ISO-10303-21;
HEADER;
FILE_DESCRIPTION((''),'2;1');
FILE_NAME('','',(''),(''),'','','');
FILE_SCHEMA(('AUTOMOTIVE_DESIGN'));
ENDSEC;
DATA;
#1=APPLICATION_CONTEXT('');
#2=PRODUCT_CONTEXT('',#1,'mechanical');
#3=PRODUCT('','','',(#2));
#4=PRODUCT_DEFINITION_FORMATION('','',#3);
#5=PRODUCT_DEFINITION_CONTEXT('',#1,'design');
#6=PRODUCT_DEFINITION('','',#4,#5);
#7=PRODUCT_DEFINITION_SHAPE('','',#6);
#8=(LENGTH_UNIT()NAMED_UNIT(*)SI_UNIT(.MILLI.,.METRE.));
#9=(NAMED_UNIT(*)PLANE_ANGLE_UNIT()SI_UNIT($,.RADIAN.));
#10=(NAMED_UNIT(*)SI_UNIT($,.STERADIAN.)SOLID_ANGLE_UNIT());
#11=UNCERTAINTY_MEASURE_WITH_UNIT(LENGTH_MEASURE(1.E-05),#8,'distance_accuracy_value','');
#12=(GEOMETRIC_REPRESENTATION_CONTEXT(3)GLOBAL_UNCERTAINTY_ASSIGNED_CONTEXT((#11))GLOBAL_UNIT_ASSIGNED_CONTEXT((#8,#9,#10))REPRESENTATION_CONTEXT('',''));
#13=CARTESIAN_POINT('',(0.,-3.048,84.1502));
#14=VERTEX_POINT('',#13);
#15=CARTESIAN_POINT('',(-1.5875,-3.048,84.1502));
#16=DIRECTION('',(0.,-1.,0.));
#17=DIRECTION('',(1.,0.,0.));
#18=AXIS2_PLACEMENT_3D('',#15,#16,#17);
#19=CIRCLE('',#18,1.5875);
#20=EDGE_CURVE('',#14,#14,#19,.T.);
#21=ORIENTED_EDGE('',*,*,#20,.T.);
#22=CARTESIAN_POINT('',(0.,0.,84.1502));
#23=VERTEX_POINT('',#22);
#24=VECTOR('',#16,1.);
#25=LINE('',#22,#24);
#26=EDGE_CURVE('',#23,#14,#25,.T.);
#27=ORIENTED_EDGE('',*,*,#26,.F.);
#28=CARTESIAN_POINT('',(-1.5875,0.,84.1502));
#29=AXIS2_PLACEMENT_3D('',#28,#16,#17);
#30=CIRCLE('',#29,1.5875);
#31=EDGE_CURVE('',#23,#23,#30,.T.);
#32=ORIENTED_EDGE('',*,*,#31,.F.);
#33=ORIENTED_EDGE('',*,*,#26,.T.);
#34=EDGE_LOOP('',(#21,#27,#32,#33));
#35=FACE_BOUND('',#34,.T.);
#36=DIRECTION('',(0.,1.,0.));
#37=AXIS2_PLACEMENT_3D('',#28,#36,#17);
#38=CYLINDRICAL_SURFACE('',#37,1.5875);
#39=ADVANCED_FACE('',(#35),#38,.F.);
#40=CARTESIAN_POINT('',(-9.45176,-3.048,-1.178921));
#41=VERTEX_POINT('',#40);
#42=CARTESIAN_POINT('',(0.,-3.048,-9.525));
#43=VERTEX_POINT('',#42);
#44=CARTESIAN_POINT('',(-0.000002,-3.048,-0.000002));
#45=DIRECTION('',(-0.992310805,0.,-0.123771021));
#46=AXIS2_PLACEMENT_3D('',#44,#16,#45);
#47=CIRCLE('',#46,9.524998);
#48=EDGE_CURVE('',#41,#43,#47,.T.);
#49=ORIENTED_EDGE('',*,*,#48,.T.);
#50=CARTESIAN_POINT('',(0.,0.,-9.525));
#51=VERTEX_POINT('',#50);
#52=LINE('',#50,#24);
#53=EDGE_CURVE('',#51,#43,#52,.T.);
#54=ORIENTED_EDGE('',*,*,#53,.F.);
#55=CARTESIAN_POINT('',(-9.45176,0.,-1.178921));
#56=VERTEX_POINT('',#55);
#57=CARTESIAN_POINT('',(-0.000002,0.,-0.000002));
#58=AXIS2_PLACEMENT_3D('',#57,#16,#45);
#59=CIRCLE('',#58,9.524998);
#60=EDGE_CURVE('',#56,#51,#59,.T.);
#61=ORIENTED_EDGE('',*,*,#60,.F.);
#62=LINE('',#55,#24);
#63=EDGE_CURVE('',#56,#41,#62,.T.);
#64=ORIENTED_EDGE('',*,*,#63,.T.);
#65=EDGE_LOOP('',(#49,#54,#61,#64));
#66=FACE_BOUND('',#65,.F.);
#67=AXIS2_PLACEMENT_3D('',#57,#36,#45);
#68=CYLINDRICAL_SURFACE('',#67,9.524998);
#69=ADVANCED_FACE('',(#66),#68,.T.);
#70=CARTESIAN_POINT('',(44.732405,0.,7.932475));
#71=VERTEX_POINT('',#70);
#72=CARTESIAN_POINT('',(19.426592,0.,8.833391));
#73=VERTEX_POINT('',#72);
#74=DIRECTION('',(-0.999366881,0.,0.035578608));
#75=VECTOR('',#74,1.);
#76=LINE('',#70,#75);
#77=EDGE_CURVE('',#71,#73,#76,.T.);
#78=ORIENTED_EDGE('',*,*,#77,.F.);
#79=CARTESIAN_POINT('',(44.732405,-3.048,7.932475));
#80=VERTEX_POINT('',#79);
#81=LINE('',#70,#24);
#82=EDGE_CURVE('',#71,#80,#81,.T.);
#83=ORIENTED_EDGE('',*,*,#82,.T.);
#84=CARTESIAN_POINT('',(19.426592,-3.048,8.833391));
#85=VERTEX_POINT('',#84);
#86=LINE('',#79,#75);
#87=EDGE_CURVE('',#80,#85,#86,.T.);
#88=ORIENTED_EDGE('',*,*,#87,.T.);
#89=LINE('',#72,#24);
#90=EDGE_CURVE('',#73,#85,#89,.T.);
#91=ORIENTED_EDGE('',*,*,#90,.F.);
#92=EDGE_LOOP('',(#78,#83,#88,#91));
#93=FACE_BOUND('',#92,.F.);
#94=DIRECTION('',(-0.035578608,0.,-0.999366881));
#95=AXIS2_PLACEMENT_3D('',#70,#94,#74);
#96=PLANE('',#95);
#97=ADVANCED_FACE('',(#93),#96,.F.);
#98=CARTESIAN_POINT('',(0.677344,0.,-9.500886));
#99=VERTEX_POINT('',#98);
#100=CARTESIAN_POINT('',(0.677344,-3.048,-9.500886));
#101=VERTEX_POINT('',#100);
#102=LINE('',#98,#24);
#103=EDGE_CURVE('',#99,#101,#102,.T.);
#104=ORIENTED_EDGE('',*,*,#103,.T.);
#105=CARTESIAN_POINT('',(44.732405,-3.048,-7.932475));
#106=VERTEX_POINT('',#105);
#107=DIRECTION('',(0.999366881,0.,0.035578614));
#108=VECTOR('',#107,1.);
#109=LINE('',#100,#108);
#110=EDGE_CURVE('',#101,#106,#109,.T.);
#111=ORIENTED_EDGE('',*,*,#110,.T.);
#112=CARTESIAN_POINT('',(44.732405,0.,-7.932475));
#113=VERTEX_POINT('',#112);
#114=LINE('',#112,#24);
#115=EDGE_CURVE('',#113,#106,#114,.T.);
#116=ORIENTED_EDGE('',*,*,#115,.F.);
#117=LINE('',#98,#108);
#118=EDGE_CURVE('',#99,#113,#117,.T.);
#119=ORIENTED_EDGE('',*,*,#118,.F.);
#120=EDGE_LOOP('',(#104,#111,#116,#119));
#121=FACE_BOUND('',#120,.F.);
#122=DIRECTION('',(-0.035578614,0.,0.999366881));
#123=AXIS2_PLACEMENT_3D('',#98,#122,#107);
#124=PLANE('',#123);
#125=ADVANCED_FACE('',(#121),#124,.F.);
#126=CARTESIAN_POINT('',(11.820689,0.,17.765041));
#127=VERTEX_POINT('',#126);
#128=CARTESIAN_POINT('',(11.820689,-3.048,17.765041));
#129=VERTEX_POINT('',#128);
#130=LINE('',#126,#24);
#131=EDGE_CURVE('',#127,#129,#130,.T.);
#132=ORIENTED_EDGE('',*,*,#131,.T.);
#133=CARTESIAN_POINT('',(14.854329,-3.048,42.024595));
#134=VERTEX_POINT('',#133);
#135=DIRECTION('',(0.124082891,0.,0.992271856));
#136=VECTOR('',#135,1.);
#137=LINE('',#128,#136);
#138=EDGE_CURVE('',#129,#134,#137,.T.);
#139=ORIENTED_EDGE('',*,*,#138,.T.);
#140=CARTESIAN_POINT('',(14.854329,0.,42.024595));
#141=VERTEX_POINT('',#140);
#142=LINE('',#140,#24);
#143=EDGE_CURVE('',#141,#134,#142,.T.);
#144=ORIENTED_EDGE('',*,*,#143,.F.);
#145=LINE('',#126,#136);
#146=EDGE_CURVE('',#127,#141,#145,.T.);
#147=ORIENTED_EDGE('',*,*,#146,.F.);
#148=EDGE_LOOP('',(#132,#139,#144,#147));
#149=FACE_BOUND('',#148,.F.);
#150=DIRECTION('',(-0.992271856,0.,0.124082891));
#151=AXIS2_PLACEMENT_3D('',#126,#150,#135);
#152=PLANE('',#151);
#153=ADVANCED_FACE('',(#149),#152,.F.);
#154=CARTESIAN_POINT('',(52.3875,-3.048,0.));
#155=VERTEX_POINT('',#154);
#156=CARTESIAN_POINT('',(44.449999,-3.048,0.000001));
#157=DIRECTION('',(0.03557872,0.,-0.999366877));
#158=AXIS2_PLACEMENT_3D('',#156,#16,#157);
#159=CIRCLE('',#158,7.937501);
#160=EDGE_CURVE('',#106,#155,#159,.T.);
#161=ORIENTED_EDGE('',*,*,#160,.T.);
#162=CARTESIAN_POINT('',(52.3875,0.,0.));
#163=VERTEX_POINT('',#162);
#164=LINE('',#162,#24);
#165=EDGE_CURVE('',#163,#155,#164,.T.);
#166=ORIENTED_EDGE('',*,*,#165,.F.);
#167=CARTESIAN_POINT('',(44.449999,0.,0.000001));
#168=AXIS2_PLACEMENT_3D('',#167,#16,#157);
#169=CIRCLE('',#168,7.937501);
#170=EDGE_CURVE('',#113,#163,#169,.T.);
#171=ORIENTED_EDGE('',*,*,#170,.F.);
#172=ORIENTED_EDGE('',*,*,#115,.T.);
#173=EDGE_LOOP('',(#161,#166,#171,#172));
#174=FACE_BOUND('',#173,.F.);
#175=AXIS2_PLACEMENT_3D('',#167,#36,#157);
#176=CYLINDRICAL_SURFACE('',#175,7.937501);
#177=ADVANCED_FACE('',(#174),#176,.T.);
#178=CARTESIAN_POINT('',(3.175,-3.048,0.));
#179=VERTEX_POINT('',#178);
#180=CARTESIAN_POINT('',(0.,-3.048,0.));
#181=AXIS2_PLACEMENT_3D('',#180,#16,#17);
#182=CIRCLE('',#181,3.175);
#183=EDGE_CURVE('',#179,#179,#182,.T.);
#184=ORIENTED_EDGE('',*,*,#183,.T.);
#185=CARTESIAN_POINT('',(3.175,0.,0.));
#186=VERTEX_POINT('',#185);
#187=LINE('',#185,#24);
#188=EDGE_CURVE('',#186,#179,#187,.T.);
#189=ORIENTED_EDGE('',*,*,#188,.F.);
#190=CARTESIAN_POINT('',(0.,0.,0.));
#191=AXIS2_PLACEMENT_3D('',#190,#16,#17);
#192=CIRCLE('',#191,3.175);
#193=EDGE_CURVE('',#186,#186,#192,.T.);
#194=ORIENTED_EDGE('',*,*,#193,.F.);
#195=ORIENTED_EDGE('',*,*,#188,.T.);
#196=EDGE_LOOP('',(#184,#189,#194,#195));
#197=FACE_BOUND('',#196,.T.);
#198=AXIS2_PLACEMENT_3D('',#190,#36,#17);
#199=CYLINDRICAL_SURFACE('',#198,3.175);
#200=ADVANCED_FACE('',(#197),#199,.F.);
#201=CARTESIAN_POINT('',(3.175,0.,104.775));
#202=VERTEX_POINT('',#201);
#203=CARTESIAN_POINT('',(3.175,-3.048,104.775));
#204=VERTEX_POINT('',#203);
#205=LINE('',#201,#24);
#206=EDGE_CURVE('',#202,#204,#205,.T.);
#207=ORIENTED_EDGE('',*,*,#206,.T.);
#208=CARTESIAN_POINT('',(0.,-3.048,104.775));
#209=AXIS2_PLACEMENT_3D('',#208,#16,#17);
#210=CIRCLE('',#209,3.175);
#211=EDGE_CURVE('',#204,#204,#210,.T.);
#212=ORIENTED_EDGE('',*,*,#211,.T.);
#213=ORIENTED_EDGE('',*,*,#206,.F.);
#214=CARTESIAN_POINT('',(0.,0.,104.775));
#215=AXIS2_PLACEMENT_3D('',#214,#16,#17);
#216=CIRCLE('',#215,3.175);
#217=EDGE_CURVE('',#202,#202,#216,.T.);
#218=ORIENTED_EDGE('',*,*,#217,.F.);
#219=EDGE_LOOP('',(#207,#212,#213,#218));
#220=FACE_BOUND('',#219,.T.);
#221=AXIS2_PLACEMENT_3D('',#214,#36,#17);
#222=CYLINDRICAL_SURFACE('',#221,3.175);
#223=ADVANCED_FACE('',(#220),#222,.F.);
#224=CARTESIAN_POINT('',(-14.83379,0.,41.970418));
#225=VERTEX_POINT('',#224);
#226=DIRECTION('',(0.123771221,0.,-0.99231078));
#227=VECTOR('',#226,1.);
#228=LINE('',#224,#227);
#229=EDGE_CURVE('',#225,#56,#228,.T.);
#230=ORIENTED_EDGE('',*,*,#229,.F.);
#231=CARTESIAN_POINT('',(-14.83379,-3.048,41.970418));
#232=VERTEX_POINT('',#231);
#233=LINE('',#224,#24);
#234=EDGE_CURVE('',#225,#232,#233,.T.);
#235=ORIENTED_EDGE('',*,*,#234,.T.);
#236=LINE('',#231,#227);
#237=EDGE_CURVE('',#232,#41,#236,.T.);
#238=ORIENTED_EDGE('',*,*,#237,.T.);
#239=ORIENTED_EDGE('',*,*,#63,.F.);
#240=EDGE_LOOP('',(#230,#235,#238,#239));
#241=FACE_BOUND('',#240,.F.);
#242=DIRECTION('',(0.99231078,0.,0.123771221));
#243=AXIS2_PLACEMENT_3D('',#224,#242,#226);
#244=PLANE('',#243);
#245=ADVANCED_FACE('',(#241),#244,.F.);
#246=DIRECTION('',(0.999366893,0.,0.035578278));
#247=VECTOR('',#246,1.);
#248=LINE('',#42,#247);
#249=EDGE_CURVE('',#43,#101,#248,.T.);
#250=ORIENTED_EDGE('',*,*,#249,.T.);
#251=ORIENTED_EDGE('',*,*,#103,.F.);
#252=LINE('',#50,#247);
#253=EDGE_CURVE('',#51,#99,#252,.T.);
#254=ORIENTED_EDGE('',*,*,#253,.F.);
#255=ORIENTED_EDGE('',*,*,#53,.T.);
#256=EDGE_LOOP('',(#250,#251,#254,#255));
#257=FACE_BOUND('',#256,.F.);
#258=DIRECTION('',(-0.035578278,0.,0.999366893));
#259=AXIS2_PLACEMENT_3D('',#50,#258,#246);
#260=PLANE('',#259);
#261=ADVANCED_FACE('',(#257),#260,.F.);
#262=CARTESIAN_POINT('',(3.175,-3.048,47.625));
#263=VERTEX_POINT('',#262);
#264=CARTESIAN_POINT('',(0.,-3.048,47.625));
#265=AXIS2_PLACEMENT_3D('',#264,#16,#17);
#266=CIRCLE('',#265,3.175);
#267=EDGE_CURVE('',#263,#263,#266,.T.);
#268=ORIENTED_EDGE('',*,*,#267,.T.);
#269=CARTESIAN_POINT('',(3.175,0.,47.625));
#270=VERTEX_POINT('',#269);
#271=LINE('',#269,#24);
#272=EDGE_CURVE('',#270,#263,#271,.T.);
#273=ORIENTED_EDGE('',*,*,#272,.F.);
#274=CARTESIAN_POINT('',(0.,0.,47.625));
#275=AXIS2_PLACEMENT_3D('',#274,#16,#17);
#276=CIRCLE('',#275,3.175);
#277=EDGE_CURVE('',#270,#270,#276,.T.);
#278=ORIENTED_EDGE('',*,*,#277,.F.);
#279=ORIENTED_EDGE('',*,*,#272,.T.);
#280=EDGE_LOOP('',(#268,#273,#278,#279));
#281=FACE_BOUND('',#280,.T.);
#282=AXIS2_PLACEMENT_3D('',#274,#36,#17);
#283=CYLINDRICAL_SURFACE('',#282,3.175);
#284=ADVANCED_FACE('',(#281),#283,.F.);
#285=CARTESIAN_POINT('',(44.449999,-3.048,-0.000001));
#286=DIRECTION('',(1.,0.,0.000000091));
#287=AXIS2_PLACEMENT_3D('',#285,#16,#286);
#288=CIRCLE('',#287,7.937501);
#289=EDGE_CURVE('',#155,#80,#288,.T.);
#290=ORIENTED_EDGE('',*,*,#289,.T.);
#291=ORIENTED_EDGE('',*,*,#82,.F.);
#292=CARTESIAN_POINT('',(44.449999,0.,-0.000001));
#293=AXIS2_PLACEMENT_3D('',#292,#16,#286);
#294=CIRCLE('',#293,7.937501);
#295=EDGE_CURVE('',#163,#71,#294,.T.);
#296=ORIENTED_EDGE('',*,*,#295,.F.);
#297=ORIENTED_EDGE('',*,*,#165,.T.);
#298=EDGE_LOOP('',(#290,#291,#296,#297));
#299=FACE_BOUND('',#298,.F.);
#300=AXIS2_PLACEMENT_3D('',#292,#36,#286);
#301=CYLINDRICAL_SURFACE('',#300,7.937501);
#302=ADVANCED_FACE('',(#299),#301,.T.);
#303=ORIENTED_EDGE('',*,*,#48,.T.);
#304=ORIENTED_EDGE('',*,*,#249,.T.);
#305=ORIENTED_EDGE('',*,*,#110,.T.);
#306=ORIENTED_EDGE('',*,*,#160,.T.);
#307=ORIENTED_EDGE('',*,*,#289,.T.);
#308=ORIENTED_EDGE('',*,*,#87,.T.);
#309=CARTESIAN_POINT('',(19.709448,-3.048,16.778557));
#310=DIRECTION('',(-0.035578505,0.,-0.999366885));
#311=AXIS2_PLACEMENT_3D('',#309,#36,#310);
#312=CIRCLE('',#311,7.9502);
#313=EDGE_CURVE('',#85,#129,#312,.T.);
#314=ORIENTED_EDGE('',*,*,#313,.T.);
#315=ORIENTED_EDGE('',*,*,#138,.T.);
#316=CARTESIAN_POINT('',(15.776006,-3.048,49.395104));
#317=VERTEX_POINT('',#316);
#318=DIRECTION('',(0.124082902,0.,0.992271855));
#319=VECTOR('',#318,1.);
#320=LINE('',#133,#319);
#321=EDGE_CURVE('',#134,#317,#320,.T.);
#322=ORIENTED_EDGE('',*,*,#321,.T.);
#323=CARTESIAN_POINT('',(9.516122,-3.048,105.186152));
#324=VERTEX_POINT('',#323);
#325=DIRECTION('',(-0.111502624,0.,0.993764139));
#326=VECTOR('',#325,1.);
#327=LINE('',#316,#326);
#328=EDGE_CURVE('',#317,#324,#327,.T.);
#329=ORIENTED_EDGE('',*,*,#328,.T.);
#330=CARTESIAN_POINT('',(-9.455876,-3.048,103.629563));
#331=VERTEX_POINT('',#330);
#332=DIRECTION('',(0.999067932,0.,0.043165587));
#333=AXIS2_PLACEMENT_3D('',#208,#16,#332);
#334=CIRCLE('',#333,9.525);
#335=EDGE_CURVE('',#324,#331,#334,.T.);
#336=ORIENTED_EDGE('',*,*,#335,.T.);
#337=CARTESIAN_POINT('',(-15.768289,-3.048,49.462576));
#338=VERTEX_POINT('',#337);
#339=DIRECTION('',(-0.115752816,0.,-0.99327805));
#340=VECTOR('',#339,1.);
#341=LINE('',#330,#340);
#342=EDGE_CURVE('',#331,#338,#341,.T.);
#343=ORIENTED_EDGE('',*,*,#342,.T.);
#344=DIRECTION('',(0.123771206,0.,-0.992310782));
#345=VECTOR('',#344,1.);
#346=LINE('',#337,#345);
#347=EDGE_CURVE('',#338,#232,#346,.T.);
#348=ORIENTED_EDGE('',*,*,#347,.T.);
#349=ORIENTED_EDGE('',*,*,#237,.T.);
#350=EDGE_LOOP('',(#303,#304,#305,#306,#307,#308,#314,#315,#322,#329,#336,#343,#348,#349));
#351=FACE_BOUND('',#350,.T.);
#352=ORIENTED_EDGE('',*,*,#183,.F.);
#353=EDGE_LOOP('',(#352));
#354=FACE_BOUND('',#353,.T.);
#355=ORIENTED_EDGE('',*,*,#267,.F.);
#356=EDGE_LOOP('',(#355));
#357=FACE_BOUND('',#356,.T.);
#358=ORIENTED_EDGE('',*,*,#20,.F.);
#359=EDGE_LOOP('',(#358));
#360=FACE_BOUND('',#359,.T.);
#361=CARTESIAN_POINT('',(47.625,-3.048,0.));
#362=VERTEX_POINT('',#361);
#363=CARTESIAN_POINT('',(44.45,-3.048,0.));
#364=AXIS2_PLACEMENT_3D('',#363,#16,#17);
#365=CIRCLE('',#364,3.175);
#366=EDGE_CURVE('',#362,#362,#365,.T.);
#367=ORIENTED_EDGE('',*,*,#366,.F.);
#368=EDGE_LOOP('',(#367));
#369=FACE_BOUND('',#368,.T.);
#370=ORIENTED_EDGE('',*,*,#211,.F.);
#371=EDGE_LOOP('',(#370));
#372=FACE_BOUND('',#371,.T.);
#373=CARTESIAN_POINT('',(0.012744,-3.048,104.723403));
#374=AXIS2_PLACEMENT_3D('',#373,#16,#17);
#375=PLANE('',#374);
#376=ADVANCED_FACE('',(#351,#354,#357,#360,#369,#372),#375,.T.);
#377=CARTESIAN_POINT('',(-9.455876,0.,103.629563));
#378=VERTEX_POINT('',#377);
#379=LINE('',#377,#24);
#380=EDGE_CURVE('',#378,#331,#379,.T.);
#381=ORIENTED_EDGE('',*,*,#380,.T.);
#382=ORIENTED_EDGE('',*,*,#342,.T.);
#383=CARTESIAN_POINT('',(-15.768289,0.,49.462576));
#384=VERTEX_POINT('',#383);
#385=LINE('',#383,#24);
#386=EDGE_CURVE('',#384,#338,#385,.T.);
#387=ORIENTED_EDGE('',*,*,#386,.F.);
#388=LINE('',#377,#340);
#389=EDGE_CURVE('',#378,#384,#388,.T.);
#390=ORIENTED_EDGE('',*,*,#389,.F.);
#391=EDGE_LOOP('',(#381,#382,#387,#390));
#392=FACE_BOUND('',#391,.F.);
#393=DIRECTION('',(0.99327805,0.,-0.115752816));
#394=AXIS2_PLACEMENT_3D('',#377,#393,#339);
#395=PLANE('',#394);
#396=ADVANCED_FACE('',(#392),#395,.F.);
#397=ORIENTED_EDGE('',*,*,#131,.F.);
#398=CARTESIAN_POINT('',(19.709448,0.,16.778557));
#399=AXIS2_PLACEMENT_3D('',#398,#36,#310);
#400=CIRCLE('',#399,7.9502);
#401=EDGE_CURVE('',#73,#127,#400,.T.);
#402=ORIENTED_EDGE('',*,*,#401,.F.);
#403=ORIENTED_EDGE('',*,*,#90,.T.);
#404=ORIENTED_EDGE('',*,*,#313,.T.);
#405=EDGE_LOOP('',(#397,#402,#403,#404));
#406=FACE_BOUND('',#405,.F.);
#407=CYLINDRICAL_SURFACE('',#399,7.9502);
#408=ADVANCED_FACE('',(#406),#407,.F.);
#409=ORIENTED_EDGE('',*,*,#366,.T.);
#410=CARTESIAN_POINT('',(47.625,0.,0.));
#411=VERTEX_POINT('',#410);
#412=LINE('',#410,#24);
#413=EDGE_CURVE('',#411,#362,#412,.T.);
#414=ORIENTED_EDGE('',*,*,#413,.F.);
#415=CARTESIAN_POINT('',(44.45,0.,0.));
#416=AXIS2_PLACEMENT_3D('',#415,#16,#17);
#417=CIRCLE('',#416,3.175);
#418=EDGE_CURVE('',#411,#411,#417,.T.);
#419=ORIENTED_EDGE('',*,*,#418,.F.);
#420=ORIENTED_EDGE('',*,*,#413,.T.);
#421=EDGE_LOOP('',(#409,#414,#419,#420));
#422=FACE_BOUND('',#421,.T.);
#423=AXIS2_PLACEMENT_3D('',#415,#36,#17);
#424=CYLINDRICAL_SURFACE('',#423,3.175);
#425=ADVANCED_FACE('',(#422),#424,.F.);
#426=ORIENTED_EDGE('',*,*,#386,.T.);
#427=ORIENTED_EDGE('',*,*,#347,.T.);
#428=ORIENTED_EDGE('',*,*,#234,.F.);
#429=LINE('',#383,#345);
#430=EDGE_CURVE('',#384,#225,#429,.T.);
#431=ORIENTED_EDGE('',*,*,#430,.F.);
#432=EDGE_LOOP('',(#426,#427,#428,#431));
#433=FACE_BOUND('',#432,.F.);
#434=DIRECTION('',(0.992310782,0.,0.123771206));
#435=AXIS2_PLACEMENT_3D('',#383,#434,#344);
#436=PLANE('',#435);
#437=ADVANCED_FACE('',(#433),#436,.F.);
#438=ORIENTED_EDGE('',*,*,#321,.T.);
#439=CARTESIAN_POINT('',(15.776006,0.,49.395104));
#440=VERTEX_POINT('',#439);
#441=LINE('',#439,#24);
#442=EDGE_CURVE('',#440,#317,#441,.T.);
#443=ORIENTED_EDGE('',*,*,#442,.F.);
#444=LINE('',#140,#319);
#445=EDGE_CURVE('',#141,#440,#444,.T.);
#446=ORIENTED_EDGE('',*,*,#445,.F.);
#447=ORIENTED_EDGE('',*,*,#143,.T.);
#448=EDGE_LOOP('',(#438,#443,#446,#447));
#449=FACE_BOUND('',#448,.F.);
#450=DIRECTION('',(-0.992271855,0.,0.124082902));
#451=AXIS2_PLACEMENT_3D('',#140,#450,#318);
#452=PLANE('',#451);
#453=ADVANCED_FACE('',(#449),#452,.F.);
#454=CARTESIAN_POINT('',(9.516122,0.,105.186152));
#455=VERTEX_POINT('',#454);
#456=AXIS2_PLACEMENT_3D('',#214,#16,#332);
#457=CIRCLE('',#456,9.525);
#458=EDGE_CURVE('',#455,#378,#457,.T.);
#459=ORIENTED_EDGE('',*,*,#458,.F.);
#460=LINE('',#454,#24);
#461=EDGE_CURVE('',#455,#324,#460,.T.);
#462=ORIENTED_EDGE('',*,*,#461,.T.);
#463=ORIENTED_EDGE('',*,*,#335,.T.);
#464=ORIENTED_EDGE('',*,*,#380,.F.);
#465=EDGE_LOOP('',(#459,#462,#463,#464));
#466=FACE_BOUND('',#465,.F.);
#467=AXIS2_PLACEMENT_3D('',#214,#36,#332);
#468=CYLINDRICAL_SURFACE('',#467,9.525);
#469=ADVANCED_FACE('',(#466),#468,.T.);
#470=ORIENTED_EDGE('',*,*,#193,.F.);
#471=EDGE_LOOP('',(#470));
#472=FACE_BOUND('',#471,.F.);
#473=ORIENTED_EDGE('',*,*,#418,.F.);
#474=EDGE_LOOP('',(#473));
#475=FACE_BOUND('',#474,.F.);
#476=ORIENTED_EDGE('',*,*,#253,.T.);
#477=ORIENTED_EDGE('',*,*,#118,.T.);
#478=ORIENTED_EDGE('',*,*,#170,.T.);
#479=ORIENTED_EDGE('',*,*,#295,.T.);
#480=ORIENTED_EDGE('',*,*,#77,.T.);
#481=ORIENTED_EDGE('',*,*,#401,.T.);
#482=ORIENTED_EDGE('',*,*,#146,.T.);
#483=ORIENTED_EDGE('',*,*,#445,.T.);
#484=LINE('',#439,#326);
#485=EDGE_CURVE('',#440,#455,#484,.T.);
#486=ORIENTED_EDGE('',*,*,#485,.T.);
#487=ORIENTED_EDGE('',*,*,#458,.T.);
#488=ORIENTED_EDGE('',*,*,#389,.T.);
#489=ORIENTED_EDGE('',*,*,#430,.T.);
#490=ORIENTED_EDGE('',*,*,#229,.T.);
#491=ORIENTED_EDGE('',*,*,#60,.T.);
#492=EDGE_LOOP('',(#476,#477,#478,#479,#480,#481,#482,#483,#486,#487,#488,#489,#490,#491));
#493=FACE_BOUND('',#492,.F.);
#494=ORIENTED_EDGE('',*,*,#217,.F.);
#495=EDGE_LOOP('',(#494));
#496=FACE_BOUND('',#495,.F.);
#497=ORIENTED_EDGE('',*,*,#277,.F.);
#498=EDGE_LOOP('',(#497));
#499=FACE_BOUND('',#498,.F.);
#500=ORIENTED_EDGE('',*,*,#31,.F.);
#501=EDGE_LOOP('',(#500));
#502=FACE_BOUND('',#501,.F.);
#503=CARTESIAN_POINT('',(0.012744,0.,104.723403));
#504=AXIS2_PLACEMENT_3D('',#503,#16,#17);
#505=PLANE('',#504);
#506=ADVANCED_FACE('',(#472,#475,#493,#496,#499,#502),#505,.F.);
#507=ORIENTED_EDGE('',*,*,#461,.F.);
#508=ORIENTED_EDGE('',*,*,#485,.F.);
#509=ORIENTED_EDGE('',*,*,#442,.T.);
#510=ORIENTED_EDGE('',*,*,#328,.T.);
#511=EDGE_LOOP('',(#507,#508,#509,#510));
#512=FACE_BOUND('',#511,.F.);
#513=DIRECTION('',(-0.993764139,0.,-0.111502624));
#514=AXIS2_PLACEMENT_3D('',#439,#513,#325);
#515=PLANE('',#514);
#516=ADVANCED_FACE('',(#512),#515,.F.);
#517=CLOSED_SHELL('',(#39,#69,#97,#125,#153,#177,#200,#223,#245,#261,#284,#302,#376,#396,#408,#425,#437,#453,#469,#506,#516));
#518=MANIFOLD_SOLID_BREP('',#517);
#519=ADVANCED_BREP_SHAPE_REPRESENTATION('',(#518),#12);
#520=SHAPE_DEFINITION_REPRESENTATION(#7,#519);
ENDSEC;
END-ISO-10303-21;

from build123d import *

# Parameters (mm, degrees)
F0_R     = 3.175
F0_R_2   = 1.5875
F1_DEPTH = 3.048


with BuildPart() as f1:
    # F0 (on Front) → F1 (new body)
    with BuildSketch(Plane.XZ):
        with BuildLine():
            ThreePointArc((-9.455876, 103.629563), (0.57376, 95.267297), (9.525, 104.775))
            ThreePointArc((9.525, 104.775), (9.52278, 104.980624), (9.516122, 105.186152))
            ThreePointArc((9.516122, 105.186152), (-0.778877, 114.268101), (-9.455876, 103.629563))
        make_face()
        with Locations((0, 104.775)):
            Circle(F0_R, mode=Mode.SUBTRACT)
        with BuildLine():
            Line((11.820689, 17.765041), (14.854329, 42.024595))
            ThreePointArc((14.854329, 42.024595), (0.02897, 31.750026), (-14.83379, 41.970418))
            Line((-14.83379, 41.970418), (-9.45176, -1.178921))
            ThreePointArc((-9.45176, -1.178921), (-0.590597, 9.506672), (9.525, 0))
            ThreePointArc((9.525, 0), (6.970557, -6.491299), (0.677344, -9.500886))
            Line((0.677344, -9.500886), (44.732405, -7.932475))
            ThreePointArc((44.732405, -7.932475), (36.5125, 0), (44.732405, 7.932475))
            Line((44.732405, 7.932475), (19.426592, 8.833391))
            ThreePointArc((19.426592, 8.833391), (13.656563, 11.624117), (11.820689, 17.765041))
        make_face()
        with BuildLine():
            ThreePointArc((9.516122, 105.186152), (9.52278, 104.980624), (9.525, 104.775))
            ThreePointArc((9.525, 104.775), (0.57376, 95.267297), (-9.455876, 103.629563))
            Line((-9.455876, 103.629563), (-15.768289, 49.462576))
            ThreePointArc((-15.768289, 49.462576), (0.033956, 63.499964), (15.776006, 49.395104))
            Line((15.776006, 49.395104), (9.516122, 105.186152))
        make_face()
        with Locations((-1.5875, 84.1502)):
            Circle(F0_R_2, mode=Mode.SUBTRACT)
        with BuildLine():
            Line((14.854329, 42.024595), (15.776006, 49.395104))
            ThreePointArc((15.776006, 49.395104), (0.033956, 63.499964), (-15.768289, 49.462576))
            Line((-15.768289, 49.462576), (-14.83379, 41.970418))
            ThreePointArc((-14.83379, 41.970418), (0.02897, 31.750026), (14.854329, 42.024595))
        make_face()
        with Locations((0, 47.625)):
            Circle(F0_R, mode=Mode.SUBTRACT)
        with BuildLine():
            ThreePointArc((9.525, 0), (-0.590597, 9.506672), (-9.45176, -1.178921))
            ThreePointArc((-9.45176, -1.178921), (-6.304618, -7.139848), (0, -9.525))
            Line((0, -9.525), (0.677344, -9.500886))
            ThreePointArc((0.677344, -9.500886), (6.970557, -6.491299), (9.525, 0))
        make_face()
        Circle(F0_R, mode=Mode.SUBTRACT)
        with BuildLine():
            ThreePointArc((52.3875, 0), (50.161633, 5.51191), (44.732405, 7.932475))
            ThreePointArc((44.732405, 7.932475), (36.5125, 0), (44.732405, -7.932475))
            ThreePointArc((44.732405, -7.932475), (50.161633, -5.51191), (52.3875, 0))
        make_face()
        with Locations((44.45, 0)):
            Circle(F0_R, mode=Mode.SUBTRACT)
    extrude(amount=F1_DEPTH)


solid = f1.part
